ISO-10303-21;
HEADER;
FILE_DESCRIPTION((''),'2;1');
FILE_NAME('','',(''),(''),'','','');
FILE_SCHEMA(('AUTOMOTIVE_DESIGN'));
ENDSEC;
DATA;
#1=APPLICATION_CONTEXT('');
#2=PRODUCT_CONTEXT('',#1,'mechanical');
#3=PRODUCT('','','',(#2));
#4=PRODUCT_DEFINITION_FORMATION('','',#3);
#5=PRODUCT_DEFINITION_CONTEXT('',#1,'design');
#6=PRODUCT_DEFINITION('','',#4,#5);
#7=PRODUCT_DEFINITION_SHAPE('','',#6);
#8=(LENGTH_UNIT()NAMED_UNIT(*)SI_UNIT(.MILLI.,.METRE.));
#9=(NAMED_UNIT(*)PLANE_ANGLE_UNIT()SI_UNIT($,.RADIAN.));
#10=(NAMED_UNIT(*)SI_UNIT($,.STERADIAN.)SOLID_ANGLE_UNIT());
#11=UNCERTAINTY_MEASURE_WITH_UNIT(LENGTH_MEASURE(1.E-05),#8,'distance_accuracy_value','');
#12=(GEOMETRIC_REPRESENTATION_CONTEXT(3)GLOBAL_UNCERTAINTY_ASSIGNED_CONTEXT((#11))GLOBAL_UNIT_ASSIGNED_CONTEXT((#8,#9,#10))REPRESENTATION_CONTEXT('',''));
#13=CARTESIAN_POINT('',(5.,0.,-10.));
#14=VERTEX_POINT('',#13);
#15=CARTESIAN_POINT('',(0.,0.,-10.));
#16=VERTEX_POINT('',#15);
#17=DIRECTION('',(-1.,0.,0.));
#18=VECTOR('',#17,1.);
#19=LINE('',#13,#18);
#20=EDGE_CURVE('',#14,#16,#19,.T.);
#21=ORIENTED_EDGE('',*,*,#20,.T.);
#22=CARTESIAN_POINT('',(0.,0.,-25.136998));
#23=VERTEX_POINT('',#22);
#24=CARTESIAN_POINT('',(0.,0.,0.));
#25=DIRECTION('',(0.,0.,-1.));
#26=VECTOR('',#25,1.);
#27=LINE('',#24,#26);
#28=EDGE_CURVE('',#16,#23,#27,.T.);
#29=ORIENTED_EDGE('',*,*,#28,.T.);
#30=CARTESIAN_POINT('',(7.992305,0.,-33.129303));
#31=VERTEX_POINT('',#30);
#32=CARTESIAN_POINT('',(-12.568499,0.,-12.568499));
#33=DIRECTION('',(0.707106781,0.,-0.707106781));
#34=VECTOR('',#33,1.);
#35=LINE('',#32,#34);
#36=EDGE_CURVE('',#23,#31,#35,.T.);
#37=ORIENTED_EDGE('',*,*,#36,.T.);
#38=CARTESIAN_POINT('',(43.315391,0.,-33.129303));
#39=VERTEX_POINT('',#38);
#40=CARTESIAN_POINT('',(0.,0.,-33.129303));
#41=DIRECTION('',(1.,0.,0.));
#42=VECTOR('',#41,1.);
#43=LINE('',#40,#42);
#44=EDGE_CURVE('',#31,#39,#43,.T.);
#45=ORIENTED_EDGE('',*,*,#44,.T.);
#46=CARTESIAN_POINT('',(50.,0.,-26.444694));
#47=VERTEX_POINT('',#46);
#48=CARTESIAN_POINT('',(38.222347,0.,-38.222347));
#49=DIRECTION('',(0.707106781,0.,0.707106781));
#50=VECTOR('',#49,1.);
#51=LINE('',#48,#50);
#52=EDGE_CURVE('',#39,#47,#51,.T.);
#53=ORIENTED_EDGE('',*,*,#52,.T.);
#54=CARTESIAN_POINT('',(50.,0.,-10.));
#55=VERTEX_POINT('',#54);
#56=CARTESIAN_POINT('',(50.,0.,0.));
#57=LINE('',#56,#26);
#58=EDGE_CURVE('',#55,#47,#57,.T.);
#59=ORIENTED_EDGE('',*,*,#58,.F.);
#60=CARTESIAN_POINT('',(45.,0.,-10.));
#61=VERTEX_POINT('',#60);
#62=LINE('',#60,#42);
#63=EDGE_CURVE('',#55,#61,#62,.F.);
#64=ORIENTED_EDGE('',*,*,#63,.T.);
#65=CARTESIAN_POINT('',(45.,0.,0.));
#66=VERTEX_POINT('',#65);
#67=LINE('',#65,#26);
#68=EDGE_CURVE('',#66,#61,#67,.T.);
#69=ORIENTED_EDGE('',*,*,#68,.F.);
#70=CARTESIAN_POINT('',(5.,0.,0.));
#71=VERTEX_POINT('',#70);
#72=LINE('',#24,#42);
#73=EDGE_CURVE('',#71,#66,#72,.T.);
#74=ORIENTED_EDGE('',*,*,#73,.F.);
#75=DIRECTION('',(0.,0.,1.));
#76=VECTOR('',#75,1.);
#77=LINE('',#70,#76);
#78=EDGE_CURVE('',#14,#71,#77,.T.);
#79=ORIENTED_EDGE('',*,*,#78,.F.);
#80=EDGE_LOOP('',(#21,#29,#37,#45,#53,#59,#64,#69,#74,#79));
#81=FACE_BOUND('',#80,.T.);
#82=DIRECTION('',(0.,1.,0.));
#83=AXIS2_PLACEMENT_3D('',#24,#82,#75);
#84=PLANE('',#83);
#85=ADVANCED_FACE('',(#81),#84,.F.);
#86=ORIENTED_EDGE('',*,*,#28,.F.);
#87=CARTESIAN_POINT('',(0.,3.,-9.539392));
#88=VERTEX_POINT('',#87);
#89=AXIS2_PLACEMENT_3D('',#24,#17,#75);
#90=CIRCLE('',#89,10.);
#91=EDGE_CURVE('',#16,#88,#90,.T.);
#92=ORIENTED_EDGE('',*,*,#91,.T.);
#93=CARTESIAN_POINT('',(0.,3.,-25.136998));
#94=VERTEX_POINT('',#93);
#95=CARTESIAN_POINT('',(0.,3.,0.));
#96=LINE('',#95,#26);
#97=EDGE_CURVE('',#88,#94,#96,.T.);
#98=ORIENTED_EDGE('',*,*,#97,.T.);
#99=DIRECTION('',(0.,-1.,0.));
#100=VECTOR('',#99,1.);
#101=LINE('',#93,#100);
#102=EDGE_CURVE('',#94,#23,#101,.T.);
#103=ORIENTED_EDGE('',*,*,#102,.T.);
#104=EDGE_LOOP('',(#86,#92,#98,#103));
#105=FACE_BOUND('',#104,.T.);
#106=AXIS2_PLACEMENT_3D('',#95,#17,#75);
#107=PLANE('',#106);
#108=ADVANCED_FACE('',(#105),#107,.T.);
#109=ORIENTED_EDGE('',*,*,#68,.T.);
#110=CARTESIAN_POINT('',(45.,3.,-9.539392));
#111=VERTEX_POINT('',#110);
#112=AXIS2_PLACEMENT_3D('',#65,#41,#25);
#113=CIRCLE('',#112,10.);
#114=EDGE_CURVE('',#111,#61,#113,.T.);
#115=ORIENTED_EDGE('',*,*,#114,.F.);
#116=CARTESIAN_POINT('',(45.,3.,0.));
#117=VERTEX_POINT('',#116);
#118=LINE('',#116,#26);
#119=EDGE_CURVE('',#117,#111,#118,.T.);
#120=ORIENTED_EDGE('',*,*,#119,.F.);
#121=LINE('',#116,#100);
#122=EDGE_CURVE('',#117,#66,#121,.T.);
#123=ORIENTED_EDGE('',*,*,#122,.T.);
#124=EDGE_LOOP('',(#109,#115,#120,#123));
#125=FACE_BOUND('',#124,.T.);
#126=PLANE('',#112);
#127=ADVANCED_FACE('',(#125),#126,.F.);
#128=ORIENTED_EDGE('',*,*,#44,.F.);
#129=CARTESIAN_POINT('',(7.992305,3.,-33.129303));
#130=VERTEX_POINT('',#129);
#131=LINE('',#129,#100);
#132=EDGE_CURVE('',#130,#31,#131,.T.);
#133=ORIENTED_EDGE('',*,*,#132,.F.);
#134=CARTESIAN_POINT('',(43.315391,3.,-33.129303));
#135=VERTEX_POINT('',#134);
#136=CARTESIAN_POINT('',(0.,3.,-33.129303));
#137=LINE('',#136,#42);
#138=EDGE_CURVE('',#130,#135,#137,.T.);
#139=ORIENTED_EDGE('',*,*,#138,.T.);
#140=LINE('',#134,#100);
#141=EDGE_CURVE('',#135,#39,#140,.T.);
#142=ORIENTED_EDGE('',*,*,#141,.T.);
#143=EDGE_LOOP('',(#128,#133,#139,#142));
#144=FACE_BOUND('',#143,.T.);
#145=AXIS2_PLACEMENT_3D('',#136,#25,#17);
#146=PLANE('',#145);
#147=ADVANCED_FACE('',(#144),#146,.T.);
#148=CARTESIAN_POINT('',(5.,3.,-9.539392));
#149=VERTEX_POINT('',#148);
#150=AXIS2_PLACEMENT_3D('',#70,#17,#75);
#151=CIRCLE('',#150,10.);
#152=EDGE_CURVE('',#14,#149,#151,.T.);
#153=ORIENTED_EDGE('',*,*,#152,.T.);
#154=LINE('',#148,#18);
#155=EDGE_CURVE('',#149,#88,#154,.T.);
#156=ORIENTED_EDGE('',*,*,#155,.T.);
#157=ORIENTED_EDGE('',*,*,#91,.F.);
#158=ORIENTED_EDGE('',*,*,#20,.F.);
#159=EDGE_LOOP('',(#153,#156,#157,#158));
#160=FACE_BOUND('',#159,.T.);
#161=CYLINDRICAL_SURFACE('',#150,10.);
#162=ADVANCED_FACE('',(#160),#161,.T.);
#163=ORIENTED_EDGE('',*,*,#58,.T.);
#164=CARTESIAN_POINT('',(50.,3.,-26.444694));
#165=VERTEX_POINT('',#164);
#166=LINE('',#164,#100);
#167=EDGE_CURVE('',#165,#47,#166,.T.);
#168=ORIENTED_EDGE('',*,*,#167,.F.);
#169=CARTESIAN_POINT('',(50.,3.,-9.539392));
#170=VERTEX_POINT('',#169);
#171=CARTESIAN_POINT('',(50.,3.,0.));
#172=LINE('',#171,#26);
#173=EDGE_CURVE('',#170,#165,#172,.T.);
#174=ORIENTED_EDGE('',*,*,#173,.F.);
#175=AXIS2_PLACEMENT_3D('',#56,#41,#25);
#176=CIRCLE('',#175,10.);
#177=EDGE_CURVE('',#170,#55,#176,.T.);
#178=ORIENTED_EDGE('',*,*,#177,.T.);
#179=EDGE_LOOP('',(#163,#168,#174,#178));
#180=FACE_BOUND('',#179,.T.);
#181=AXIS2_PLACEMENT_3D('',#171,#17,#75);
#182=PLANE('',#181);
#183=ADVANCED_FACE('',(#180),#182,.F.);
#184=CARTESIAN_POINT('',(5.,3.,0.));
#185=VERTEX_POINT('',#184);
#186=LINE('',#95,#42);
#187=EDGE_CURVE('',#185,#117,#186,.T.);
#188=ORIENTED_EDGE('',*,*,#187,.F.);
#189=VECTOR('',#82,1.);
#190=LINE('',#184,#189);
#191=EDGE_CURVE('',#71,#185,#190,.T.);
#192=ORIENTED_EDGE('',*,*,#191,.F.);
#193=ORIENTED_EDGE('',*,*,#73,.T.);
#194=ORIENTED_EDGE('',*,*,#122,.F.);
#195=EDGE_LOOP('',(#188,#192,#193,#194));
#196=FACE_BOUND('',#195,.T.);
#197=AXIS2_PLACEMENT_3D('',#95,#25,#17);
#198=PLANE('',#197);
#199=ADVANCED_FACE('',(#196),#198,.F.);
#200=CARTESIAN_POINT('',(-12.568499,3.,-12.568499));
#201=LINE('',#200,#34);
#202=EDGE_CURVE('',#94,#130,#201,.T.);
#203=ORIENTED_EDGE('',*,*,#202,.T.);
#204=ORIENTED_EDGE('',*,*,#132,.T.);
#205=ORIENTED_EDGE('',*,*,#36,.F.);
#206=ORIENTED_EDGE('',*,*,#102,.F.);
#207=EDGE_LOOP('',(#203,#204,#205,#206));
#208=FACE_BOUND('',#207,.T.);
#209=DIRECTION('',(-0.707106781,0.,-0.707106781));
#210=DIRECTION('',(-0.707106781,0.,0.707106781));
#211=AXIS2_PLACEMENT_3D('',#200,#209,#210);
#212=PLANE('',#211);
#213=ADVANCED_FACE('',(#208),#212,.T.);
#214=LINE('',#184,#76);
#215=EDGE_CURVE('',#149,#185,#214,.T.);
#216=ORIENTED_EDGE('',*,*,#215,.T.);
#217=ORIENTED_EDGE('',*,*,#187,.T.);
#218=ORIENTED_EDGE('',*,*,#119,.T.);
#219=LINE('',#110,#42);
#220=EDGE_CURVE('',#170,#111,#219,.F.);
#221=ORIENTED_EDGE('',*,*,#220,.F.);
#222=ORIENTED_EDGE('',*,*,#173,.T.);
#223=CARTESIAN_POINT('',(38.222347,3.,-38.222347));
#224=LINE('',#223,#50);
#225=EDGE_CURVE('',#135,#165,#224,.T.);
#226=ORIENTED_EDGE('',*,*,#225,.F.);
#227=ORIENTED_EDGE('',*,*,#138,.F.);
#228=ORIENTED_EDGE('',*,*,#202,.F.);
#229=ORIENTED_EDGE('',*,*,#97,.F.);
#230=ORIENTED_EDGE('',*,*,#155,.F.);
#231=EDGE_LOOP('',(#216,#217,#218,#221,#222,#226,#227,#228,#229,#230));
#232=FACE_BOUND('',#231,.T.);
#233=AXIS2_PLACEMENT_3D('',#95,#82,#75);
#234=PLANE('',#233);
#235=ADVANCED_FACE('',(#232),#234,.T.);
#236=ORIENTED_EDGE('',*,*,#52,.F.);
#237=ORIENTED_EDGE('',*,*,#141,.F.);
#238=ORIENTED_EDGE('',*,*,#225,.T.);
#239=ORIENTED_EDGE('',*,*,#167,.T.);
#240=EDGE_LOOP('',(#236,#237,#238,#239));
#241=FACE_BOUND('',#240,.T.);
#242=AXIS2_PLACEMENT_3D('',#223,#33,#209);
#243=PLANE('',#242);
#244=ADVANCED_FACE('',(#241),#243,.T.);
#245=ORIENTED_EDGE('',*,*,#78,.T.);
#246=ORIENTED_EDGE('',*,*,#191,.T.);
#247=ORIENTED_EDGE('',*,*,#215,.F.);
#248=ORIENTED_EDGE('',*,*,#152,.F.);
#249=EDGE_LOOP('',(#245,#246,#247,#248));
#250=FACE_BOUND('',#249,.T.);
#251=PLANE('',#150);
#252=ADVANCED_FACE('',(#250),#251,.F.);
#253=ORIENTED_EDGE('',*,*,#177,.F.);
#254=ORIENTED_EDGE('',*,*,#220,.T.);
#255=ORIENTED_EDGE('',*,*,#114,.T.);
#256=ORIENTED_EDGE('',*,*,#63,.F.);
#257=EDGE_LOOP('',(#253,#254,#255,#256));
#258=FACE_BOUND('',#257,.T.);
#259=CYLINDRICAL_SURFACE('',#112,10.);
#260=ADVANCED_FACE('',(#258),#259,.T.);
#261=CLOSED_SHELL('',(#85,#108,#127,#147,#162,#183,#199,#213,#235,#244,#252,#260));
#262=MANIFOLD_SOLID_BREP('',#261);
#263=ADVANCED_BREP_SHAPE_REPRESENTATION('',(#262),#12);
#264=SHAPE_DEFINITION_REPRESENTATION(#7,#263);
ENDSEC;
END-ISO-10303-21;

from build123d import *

# Parameters (mm, degrees)
SKETCH12_W          = 5
SKETCH12_H          = 20
BOSS_EXTRUDE3_DEPTH = 3
SKETCH13_R          = 10
BOSS_EXTRUDE4_DEPTH = 5
BOSS_EXTRUDE6_START = -5
SKETCH14_R          = 10
BOSS_EXTRUDE6_DEPTH = 5


with BuildPart() as part:
    # Sketch12 → Boss-Extrude3 (new body)
    with BuildSketch(Plane(origin=(0, 0, 0), x_dir=(1, 0, 0), z_dir=(0, 1, 0))):
        Polygon((7.992304902, 33.129302691), (0, 25.13699779), (0, 20), (5, 20), (5, 0), (45, 0), (45, 20), (50, 20), (50, 26.444694099), (43.315391407, 33.129302691), align=None)
        with Locations((47.5, 10)):
            Rectangle(SKETCH12_W, SKETCH12_H)
        with Locations((2.5, 10)):
            Rectangle(SKETCH12_W, SKETCH12_H)
    extrude(amount=BOSS_EXTRUDE3_DEPTH)

    # Sketch13 → Boss-Extrude4 (add)
    with BuildSketch(Plane.ZY):
        Circle(SKETCH13_R)
    extrude(amount=-BOSS_EXTRUDE4_DEPTH)

    # Sketch14 → Boss-Extrude6 (add)
    with BuildSketch(Plane(origin=(50, 0, 0), x_dir=(0, 0, -1), z_dir=(1, 0, 0)).offset(BOSS_EXTRUDE6_START)):
        Circle(SKETCH14_R)
    extrude(amount=BOSS_EXTRUDE6_DEPTH)


solid = part.part
